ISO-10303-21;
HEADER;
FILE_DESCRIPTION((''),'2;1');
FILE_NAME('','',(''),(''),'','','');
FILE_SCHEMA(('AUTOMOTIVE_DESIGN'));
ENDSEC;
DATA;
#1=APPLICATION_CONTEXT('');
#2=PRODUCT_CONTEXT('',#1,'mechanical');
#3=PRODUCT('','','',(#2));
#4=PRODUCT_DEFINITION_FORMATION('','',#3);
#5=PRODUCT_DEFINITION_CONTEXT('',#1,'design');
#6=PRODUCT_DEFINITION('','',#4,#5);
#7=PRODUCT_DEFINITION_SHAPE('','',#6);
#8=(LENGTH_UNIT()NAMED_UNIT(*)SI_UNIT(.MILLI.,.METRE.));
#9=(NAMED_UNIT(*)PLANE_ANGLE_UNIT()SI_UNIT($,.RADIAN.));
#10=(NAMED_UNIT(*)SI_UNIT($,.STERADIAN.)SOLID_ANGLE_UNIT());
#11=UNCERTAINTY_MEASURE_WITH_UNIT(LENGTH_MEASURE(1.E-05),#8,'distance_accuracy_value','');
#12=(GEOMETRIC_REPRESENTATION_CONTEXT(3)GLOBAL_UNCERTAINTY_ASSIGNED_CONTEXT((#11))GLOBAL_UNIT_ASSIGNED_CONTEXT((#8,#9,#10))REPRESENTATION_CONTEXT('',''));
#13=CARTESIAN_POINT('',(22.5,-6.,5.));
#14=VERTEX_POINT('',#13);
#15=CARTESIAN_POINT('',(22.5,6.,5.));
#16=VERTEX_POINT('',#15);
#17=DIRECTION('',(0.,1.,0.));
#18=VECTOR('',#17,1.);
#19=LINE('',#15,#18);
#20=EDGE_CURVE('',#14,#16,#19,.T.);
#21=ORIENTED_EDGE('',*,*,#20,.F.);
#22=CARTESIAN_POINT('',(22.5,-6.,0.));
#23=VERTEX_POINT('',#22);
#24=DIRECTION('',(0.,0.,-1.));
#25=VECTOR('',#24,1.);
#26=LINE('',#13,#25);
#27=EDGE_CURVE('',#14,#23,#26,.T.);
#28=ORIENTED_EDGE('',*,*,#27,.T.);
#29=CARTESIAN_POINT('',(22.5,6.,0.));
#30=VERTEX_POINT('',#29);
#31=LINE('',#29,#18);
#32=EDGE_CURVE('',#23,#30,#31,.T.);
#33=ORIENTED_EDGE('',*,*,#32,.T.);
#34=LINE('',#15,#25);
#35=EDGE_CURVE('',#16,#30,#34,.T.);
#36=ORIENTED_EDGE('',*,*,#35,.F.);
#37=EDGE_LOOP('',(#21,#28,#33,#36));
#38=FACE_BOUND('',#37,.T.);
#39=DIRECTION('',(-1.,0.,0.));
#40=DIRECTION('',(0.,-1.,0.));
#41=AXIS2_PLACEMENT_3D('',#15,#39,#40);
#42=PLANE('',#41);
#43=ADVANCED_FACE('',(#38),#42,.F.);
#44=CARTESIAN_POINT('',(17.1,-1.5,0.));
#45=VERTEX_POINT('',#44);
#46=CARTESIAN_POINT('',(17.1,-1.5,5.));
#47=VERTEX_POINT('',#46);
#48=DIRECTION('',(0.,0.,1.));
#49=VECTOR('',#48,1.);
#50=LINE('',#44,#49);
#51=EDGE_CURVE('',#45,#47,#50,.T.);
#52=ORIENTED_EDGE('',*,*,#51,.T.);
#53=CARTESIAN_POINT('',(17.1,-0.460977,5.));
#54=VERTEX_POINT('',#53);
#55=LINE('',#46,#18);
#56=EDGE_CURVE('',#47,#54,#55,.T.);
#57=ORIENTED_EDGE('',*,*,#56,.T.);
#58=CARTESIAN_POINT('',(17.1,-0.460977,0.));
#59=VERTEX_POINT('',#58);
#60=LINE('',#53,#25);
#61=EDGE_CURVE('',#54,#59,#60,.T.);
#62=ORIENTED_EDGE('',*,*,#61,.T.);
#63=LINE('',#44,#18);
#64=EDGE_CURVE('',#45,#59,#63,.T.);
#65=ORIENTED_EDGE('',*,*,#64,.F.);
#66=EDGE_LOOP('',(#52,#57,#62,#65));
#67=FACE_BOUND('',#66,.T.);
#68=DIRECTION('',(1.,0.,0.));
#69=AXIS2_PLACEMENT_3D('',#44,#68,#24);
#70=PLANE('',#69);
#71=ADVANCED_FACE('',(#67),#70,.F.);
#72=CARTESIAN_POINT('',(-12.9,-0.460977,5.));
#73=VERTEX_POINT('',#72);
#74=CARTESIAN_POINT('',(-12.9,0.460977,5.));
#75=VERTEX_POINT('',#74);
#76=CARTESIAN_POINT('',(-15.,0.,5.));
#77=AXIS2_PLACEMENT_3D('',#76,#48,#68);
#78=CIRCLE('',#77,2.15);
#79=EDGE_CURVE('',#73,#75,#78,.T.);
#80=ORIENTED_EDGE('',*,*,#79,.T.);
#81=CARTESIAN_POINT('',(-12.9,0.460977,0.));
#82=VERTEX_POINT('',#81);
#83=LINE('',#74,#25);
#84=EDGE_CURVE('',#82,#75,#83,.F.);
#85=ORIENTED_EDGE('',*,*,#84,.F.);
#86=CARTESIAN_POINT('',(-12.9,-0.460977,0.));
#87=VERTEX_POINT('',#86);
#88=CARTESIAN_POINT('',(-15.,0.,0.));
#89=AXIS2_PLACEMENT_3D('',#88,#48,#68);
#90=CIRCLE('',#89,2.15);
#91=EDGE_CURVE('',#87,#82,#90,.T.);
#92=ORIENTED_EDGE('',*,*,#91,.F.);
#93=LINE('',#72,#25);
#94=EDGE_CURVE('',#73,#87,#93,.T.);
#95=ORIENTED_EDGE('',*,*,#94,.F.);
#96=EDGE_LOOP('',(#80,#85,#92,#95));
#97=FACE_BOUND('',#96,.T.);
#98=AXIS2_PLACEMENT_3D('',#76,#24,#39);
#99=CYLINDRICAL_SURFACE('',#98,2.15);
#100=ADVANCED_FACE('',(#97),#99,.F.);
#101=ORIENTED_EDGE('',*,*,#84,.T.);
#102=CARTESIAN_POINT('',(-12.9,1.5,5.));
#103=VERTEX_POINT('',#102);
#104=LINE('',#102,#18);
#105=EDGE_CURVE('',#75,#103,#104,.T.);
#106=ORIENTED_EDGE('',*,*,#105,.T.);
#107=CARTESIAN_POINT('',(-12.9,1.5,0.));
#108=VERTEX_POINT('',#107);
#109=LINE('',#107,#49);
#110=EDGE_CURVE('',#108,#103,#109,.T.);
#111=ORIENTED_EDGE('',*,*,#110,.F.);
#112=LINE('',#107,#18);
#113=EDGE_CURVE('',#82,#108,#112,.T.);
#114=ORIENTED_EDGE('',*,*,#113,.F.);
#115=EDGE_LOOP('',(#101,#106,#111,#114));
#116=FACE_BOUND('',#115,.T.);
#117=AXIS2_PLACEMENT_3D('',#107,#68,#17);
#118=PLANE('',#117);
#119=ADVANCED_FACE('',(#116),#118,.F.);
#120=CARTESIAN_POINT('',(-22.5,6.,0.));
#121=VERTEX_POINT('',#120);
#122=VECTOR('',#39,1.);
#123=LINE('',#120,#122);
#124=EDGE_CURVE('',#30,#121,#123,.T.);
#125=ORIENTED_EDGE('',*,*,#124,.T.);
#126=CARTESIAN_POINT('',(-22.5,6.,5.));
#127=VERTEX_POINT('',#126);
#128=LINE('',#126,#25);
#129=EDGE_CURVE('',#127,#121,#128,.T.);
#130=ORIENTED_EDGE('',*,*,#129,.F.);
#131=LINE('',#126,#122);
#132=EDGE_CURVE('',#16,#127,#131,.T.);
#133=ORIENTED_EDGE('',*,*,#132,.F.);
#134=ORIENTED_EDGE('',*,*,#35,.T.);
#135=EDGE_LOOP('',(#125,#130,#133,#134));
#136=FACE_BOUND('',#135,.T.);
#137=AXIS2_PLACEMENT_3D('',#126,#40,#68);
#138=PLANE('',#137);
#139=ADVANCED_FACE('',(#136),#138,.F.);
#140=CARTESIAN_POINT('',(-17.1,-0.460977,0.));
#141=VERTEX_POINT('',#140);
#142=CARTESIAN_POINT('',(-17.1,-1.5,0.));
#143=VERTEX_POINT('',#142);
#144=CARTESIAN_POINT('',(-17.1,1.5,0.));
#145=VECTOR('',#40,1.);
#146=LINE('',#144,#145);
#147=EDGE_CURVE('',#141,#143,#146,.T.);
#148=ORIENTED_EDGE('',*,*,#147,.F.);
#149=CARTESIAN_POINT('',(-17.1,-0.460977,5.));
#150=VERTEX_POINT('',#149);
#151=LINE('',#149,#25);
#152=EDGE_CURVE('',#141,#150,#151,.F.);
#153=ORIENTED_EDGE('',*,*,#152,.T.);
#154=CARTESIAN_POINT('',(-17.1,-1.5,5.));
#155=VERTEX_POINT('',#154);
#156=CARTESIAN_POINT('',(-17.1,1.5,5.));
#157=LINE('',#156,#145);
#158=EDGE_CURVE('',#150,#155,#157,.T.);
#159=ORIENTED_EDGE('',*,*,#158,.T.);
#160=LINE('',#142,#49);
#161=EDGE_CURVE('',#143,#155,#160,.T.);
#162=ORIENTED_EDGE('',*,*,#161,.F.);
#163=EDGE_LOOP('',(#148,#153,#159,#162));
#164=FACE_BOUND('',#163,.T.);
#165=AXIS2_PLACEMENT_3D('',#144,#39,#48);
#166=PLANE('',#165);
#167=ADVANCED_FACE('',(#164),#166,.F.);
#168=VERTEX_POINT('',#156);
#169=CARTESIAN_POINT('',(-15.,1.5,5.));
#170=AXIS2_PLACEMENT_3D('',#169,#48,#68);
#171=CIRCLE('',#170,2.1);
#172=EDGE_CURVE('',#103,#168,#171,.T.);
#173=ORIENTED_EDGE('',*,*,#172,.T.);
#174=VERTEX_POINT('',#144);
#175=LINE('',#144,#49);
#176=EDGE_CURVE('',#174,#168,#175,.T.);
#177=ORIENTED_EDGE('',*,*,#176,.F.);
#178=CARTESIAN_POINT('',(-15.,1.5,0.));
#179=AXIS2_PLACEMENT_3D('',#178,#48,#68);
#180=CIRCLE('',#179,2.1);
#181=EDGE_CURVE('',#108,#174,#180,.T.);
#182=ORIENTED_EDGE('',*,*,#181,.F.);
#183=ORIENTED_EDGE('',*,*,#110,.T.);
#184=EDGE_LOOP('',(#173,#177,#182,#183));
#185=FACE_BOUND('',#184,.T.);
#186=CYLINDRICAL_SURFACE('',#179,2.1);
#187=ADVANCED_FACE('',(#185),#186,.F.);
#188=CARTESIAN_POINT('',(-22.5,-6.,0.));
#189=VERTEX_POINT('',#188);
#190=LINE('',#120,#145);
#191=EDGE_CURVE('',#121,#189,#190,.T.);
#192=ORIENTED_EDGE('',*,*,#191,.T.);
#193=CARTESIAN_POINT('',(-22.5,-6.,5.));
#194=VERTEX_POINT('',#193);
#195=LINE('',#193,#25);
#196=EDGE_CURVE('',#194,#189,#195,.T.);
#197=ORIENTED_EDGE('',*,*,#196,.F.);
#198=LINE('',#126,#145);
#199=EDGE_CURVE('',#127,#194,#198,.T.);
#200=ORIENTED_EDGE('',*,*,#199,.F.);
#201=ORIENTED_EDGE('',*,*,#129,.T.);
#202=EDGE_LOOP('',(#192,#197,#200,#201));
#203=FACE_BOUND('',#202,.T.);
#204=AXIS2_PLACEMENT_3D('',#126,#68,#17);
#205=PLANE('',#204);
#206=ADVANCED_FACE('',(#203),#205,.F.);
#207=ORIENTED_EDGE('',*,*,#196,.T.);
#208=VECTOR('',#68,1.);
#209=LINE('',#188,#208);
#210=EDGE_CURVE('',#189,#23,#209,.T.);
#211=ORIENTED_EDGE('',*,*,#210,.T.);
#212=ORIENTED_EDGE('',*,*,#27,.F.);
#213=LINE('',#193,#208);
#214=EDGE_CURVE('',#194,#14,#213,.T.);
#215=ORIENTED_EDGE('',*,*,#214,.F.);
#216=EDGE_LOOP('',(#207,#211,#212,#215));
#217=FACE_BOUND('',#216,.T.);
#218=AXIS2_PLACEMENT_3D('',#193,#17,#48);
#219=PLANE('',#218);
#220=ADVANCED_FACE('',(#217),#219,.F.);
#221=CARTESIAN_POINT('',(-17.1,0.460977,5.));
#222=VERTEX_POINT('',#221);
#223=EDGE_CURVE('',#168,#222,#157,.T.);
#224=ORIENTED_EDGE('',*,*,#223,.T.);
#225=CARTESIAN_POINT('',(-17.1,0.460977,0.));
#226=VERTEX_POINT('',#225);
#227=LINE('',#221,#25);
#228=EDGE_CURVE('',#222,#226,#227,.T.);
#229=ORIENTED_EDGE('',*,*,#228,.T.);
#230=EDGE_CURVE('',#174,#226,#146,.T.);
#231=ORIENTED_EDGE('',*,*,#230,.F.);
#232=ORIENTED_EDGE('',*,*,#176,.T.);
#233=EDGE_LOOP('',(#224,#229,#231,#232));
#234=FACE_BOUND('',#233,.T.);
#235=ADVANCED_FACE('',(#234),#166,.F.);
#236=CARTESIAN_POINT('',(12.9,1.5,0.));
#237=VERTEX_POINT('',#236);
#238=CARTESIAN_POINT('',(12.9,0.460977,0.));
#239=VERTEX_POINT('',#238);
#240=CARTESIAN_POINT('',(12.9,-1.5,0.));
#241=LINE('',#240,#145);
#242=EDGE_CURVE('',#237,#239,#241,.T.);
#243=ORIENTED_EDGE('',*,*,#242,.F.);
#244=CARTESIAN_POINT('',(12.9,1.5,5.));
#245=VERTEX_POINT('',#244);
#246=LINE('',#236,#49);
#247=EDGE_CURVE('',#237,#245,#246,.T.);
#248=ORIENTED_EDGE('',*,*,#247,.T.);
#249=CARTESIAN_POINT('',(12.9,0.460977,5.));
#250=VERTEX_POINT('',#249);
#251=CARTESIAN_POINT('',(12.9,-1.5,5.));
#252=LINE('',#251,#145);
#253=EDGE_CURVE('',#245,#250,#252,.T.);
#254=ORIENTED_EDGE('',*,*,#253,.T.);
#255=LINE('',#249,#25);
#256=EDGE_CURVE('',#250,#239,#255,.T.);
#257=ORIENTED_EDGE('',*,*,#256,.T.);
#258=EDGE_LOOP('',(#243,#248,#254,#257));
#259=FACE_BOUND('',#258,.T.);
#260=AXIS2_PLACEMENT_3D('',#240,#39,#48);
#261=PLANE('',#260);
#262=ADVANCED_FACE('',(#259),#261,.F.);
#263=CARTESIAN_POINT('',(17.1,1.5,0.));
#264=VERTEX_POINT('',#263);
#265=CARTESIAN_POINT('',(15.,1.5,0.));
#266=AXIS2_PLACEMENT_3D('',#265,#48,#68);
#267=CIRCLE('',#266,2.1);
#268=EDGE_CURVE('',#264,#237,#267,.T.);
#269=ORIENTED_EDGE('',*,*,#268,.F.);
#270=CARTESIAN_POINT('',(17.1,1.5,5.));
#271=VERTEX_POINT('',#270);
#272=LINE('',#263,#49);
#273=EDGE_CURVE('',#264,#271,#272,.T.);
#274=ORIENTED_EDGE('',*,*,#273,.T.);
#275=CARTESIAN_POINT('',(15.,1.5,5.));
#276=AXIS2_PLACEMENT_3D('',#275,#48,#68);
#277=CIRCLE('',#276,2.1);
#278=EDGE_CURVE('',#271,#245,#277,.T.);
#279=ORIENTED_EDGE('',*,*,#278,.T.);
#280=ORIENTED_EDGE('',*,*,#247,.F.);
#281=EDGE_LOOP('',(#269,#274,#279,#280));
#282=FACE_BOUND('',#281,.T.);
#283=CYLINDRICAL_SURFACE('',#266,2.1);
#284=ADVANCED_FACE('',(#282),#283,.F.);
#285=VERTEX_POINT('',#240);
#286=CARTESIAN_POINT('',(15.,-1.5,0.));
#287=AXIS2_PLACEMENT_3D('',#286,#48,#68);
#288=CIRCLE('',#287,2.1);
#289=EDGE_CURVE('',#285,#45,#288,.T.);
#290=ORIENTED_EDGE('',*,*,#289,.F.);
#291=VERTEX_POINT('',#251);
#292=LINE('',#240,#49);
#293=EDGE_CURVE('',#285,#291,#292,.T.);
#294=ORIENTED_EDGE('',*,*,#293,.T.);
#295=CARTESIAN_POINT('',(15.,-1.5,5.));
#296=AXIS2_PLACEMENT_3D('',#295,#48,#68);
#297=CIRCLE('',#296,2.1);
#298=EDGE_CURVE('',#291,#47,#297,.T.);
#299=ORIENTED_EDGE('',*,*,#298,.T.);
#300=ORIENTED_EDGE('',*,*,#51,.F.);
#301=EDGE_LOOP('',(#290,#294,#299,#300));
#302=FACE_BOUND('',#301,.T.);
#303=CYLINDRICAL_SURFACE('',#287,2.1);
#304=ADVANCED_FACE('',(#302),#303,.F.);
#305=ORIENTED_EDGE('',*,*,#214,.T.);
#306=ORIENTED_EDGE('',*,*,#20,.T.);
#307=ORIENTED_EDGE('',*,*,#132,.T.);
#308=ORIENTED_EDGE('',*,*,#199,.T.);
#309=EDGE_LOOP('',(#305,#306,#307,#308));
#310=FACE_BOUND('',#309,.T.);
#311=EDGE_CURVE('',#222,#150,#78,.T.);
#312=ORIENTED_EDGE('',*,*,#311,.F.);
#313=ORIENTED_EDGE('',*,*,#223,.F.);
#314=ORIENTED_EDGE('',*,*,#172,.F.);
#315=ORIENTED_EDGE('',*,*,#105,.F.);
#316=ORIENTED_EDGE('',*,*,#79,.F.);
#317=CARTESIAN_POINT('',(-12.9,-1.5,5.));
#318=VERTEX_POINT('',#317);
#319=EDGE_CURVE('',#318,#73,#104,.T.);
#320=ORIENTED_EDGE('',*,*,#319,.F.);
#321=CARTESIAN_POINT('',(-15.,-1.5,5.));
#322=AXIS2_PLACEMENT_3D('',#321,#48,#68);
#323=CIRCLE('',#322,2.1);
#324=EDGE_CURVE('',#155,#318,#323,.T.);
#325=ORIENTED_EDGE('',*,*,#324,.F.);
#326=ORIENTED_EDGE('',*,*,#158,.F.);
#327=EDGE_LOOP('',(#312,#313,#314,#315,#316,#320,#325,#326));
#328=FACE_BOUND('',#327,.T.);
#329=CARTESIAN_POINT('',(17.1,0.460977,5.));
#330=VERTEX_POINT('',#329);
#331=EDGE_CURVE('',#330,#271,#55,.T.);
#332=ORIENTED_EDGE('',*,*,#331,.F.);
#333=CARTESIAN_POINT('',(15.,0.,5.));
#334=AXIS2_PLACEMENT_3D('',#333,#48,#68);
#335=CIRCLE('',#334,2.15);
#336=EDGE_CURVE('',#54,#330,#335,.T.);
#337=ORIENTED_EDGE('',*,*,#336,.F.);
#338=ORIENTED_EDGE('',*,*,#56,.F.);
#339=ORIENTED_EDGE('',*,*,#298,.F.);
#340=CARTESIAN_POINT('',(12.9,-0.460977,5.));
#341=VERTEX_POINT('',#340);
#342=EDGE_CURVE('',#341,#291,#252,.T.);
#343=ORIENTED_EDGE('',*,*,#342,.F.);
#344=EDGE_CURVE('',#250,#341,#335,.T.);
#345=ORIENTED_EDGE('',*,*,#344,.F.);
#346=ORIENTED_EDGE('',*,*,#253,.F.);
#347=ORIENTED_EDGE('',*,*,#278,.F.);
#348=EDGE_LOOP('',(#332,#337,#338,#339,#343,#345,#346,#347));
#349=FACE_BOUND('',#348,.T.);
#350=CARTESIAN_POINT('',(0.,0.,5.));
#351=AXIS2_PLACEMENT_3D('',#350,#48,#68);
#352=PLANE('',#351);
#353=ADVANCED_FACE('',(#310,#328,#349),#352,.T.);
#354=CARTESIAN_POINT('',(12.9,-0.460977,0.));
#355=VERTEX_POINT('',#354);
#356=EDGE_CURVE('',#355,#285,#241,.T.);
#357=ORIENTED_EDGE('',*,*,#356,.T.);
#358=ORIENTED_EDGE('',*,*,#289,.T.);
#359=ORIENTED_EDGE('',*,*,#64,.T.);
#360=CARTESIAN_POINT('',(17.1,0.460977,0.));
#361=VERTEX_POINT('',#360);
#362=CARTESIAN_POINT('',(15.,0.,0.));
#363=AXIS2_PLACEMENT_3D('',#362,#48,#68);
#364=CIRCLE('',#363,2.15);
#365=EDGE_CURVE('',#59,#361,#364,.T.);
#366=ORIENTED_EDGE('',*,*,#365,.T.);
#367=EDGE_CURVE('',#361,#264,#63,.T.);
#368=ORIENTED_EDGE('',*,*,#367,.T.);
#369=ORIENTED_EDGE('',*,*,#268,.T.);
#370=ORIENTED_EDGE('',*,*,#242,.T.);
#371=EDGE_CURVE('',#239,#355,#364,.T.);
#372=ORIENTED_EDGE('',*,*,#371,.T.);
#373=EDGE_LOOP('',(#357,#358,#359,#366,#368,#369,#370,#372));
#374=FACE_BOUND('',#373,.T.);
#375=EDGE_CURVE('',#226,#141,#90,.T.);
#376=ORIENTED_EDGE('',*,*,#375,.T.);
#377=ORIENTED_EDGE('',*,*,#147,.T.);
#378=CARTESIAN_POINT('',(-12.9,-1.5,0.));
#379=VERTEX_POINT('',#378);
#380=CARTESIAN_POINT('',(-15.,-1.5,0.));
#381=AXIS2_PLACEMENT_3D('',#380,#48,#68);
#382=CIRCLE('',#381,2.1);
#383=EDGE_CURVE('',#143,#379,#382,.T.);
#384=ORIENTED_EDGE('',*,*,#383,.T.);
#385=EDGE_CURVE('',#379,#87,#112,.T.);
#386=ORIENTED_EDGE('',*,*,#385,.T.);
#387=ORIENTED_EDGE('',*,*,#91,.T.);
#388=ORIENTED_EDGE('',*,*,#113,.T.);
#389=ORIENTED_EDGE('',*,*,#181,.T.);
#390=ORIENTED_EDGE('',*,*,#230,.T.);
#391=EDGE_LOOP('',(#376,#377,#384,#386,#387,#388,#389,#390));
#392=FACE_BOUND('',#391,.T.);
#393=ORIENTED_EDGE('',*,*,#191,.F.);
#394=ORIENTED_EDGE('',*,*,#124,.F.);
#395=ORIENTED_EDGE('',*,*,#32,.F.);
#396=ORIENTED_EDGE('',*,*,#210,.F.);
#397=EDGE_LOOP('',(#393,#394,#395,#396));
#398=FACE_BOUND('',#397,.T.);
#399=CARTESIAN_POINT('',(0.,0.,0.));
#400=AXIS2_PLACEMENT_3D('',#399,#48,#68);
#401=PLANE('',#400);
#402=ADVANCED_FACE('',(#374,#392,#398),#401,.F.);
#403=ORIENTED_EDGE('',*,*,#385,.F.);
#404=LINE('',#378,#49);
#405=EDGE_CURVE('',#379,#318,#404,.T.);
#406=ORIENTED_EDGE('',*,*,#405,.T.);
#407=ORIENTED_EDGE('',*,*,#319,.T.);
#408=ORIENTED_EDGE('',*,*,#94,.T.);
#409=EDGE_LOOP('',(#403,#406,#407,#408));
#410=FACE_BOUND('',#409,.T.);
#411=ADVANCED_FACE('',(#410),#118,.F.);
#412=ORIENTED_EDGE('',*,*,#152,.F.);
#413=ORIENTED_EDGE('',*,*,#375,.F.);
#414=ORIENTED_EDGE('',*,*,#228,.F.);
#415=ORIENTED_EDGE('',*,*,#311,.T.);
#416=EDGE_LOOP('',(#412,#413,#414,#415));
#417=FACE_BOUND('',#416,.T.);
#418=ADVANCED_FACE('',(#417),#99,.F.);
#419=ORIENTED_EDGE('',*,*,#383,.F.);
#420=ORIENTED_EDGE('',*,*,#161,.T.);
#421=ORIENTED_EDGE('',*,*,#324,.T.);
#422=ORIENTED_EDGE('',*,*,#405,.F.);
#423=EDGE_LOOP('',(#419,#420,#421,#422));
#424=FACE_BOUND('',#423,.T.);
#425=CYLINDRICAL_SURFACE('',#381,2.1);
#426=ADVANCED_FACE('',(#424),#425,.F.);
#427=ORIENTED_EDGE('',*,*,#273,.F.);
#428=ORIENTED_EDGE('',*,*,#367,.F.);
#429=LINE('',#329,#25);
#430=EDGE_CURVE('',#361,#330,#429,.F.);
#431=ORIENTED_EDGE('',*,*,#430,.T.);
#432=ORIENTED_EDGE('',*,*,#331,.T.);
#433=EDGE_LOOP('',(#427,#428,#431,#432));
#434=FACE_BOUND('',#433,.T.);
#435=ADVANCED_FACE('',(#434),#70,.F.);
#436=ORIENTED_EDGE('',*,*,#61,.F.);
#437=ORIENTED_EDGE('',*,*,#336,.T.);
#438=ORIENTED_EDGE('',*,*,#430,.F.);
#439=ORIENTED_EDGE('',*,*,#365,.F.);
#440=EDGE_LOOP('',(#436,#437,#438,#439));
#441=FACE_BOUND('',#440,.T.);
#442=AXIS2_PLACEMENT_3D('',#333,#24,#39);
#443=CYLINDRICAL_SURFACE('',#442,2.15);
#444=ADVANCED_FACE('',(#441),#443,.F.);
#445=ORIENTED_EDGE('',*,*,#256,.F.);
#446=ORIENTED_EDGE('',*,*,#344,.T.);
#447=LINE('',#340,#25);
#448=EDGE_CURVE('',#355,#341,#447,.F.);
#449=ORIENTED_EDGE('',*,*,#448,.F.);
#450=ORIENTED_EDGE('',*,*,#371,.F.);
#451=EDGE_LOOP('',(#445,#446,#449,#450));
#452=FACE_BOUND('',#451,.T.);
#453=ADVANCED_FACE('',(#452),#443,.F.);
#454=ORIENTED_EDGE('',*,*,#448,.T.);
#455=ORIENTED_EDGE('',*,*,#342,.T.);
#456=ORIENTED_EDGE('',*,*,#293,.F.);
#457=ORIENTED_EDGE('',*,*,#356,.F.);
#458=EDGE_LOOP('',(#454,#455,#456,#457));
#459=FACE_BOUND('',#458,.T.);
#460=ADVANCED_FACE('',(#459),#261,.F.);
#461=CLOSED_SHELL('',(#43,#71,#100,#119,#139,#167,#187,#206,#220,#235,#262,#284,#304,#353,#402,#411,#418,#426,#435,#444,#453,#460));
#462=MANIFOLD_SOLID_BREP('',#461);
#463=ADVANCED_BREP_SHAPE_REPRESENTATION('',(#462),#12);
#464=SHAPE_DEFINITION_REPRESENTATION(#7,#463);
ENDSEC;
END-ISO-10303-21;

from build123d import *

# Parameters (mm, degrees)
SKETCH1_W           = 45
SKETCH1_H           = 12
SKETCH1_R           = 2.15
BOSS_EXTRUDE1_DEPTH = 5
CUT_EXTRUDE1_DEPTH  = 24.817010728


with BuildPart() as part:
    # Sketch1 → Boss-Extrude1 (new body)
    with BuildSketch(Plane.XY):
        Rectangle(SKETCH1_W, SKETCH1_H)
        with Locations((-15, 0)):
            Circle(SKETCH1_R, mode=Mode.SUBTRACT)
        with Locations((15, 0)):
            Circle(SKETCH1_R, mode=Mode.SUBTRACT)
    extrude(amount=BOSS_EXTRUDE1_DEPTH)

    # Sketch2 → Cut-Extrude1 (cut, through all)
    with BuildSketch(Plane.XY.offset(5)):
        with BuildLine():
            Line((-12.9, 1.5), (-12.9, -1.5))
            ThreePointArc((-12.9, -1.5), (-15, -3.6), (-17.1, -1.5))
            Line((-17.1, -1.5), (-17.1, 1.5))
            ThreePointArc((-17.1, 1.5), (-15, 3.6), (-12.9, 1.5))
        make_face()
        with BuildLine():
            Line((12.9, -1.5), (12.9, 1.5))
            ThreePointArc((12.9, 1.5), (15, 3.6), (17.1, 1.5))
            Line((17.1, 1.5), (17.1, -1.5))
            ThreePointArc((17.1, -1.5), (15, -3.6), (12.9, -1.5))
        make_face()
    extrude(amount=-CUT_EXTRUDE1_DEPTH, mode=Mode.SUBTRACT)


solid = part.part
